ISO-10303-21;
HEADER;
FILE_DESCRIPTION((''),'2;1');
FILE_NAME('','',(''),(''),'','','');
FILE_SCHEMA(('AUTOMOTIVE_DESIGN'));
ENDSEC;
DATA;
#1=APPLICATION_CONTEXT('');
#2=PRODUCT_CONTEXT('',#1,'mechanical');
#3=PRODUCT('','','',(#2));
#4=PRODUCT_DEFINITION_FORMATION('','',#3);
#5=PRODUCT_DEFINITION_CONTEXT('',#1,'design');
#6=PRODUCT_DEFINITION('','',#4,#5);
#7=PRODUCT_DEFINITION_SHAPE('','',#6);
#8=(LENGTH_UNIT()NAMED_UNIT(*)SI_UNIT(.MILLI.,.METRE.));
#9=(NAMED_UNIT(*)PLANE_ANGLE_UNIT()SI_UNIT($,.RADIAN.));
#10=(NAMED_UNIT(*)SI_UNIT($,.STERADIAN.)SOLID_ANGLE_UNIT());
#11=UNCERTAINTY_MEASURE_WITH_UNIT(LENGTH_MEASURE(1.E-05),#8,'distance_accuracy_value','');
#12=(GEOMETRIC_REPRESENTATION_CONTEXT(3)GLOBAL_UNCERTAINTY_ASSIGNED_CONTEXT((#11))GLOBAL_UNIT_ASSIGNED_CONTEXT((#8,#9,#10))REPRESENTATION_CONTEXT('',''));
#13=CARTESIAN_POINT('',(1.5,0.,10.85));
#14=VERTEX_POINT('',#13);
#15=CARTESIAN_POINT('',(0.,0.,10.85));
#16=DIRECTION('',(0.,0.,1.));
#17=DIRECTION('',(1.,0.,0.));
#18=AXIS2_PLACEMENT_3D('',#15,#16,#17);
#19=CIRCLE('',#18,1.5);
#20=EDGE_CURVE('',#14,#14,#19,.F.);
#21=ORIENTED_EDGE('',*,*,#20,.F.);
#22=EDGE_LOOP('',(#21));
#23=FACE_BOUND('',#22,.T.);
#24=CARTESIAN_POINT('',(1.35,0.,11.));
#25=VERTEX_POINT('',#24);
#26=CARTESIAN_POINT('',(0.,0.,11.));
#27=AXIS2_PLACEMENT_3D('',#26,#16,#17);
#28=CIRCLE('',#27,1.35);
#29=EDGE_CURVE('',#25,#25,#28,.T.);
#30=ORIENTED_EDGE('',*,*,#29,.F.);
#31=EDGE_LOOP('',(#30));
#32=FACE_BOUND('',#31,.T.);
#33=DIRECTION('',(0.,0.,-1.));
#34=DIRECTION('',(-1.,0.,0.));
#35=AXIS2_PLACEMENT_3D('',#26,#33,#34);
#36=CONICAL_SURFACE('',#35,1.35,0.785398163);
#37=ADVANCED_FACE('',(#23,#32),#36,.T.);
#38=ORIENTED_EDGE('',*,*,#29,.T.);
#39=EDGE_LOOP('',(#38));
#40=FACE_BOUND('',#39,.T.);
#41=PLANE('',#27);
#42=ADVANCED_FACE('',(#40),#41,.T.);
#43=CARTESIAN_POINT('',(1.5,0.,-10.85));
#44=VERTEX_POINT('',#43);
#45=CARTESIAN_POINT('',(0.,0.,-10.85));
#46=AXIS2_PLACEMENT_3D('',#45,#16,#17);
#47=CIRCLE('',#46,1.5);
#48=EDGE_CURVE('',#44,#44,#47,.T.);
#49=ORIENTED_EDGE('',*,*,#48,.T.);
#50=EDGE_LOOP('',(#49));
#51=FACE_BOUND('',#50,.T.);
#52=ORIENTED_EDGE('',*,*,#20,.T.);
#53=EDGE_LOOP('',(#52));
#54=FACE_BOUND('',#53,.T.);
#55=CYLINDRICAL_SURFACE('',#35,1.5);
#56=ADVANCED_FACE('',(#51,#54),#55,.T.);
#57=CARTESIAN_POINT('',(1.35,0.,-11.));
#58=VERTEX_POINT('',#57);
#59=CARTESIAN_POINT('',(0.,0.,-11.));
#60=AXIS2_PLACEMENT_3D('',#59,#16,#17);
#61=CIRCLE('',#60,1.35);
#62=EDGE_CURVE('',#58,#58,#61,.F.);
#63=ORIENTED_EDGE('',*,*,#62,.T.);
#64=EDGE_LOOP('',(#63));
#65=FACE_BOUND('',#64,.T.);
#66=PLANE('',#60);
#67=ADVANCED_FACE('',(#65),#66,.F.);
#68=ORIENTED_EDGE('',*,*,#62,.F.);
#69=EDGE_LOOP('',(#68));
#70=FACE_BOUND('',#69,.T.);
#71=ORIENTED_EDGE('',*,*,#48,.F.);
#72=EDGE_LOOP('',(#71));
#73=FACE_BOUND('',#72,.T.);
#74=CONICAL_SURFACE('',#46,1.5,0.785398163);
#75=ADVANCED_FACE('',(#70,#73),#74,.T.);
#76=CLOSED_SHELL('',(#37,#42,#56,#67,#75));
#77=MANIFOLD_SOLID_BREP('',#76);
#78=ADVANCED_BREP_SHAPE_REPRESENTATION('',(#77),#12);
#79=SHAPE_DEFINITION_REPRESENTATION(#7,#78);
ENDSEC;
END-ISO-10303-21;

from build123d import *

# Parameters (mm, degrees)
SKETCH1_R           = 1.5
BOSS_EXTRUDE1_DEPTH = 11
CHAMFER1_SIZE       = 0.15


with BuildPart() as part:
    # Sketch1 → Boss-Extrude1 (new body, symmetric)
    with BuildSketch(Plane.XY):
        Circle(SKETCH1_R)
    extrude(amount=BOSS_EXTRUDE1_DEPTH, both=True)

    # Chamfer1
    chamfer1_edges = [part.edges().sort_by_distance(p)[0] for p in [
        (-1.5, 0, -11),
        (-1.5, 0, 11),
    ]]
    chamfer(chamfer1_edges, length=CHAMFER1_SIZE)


solid = part.part
